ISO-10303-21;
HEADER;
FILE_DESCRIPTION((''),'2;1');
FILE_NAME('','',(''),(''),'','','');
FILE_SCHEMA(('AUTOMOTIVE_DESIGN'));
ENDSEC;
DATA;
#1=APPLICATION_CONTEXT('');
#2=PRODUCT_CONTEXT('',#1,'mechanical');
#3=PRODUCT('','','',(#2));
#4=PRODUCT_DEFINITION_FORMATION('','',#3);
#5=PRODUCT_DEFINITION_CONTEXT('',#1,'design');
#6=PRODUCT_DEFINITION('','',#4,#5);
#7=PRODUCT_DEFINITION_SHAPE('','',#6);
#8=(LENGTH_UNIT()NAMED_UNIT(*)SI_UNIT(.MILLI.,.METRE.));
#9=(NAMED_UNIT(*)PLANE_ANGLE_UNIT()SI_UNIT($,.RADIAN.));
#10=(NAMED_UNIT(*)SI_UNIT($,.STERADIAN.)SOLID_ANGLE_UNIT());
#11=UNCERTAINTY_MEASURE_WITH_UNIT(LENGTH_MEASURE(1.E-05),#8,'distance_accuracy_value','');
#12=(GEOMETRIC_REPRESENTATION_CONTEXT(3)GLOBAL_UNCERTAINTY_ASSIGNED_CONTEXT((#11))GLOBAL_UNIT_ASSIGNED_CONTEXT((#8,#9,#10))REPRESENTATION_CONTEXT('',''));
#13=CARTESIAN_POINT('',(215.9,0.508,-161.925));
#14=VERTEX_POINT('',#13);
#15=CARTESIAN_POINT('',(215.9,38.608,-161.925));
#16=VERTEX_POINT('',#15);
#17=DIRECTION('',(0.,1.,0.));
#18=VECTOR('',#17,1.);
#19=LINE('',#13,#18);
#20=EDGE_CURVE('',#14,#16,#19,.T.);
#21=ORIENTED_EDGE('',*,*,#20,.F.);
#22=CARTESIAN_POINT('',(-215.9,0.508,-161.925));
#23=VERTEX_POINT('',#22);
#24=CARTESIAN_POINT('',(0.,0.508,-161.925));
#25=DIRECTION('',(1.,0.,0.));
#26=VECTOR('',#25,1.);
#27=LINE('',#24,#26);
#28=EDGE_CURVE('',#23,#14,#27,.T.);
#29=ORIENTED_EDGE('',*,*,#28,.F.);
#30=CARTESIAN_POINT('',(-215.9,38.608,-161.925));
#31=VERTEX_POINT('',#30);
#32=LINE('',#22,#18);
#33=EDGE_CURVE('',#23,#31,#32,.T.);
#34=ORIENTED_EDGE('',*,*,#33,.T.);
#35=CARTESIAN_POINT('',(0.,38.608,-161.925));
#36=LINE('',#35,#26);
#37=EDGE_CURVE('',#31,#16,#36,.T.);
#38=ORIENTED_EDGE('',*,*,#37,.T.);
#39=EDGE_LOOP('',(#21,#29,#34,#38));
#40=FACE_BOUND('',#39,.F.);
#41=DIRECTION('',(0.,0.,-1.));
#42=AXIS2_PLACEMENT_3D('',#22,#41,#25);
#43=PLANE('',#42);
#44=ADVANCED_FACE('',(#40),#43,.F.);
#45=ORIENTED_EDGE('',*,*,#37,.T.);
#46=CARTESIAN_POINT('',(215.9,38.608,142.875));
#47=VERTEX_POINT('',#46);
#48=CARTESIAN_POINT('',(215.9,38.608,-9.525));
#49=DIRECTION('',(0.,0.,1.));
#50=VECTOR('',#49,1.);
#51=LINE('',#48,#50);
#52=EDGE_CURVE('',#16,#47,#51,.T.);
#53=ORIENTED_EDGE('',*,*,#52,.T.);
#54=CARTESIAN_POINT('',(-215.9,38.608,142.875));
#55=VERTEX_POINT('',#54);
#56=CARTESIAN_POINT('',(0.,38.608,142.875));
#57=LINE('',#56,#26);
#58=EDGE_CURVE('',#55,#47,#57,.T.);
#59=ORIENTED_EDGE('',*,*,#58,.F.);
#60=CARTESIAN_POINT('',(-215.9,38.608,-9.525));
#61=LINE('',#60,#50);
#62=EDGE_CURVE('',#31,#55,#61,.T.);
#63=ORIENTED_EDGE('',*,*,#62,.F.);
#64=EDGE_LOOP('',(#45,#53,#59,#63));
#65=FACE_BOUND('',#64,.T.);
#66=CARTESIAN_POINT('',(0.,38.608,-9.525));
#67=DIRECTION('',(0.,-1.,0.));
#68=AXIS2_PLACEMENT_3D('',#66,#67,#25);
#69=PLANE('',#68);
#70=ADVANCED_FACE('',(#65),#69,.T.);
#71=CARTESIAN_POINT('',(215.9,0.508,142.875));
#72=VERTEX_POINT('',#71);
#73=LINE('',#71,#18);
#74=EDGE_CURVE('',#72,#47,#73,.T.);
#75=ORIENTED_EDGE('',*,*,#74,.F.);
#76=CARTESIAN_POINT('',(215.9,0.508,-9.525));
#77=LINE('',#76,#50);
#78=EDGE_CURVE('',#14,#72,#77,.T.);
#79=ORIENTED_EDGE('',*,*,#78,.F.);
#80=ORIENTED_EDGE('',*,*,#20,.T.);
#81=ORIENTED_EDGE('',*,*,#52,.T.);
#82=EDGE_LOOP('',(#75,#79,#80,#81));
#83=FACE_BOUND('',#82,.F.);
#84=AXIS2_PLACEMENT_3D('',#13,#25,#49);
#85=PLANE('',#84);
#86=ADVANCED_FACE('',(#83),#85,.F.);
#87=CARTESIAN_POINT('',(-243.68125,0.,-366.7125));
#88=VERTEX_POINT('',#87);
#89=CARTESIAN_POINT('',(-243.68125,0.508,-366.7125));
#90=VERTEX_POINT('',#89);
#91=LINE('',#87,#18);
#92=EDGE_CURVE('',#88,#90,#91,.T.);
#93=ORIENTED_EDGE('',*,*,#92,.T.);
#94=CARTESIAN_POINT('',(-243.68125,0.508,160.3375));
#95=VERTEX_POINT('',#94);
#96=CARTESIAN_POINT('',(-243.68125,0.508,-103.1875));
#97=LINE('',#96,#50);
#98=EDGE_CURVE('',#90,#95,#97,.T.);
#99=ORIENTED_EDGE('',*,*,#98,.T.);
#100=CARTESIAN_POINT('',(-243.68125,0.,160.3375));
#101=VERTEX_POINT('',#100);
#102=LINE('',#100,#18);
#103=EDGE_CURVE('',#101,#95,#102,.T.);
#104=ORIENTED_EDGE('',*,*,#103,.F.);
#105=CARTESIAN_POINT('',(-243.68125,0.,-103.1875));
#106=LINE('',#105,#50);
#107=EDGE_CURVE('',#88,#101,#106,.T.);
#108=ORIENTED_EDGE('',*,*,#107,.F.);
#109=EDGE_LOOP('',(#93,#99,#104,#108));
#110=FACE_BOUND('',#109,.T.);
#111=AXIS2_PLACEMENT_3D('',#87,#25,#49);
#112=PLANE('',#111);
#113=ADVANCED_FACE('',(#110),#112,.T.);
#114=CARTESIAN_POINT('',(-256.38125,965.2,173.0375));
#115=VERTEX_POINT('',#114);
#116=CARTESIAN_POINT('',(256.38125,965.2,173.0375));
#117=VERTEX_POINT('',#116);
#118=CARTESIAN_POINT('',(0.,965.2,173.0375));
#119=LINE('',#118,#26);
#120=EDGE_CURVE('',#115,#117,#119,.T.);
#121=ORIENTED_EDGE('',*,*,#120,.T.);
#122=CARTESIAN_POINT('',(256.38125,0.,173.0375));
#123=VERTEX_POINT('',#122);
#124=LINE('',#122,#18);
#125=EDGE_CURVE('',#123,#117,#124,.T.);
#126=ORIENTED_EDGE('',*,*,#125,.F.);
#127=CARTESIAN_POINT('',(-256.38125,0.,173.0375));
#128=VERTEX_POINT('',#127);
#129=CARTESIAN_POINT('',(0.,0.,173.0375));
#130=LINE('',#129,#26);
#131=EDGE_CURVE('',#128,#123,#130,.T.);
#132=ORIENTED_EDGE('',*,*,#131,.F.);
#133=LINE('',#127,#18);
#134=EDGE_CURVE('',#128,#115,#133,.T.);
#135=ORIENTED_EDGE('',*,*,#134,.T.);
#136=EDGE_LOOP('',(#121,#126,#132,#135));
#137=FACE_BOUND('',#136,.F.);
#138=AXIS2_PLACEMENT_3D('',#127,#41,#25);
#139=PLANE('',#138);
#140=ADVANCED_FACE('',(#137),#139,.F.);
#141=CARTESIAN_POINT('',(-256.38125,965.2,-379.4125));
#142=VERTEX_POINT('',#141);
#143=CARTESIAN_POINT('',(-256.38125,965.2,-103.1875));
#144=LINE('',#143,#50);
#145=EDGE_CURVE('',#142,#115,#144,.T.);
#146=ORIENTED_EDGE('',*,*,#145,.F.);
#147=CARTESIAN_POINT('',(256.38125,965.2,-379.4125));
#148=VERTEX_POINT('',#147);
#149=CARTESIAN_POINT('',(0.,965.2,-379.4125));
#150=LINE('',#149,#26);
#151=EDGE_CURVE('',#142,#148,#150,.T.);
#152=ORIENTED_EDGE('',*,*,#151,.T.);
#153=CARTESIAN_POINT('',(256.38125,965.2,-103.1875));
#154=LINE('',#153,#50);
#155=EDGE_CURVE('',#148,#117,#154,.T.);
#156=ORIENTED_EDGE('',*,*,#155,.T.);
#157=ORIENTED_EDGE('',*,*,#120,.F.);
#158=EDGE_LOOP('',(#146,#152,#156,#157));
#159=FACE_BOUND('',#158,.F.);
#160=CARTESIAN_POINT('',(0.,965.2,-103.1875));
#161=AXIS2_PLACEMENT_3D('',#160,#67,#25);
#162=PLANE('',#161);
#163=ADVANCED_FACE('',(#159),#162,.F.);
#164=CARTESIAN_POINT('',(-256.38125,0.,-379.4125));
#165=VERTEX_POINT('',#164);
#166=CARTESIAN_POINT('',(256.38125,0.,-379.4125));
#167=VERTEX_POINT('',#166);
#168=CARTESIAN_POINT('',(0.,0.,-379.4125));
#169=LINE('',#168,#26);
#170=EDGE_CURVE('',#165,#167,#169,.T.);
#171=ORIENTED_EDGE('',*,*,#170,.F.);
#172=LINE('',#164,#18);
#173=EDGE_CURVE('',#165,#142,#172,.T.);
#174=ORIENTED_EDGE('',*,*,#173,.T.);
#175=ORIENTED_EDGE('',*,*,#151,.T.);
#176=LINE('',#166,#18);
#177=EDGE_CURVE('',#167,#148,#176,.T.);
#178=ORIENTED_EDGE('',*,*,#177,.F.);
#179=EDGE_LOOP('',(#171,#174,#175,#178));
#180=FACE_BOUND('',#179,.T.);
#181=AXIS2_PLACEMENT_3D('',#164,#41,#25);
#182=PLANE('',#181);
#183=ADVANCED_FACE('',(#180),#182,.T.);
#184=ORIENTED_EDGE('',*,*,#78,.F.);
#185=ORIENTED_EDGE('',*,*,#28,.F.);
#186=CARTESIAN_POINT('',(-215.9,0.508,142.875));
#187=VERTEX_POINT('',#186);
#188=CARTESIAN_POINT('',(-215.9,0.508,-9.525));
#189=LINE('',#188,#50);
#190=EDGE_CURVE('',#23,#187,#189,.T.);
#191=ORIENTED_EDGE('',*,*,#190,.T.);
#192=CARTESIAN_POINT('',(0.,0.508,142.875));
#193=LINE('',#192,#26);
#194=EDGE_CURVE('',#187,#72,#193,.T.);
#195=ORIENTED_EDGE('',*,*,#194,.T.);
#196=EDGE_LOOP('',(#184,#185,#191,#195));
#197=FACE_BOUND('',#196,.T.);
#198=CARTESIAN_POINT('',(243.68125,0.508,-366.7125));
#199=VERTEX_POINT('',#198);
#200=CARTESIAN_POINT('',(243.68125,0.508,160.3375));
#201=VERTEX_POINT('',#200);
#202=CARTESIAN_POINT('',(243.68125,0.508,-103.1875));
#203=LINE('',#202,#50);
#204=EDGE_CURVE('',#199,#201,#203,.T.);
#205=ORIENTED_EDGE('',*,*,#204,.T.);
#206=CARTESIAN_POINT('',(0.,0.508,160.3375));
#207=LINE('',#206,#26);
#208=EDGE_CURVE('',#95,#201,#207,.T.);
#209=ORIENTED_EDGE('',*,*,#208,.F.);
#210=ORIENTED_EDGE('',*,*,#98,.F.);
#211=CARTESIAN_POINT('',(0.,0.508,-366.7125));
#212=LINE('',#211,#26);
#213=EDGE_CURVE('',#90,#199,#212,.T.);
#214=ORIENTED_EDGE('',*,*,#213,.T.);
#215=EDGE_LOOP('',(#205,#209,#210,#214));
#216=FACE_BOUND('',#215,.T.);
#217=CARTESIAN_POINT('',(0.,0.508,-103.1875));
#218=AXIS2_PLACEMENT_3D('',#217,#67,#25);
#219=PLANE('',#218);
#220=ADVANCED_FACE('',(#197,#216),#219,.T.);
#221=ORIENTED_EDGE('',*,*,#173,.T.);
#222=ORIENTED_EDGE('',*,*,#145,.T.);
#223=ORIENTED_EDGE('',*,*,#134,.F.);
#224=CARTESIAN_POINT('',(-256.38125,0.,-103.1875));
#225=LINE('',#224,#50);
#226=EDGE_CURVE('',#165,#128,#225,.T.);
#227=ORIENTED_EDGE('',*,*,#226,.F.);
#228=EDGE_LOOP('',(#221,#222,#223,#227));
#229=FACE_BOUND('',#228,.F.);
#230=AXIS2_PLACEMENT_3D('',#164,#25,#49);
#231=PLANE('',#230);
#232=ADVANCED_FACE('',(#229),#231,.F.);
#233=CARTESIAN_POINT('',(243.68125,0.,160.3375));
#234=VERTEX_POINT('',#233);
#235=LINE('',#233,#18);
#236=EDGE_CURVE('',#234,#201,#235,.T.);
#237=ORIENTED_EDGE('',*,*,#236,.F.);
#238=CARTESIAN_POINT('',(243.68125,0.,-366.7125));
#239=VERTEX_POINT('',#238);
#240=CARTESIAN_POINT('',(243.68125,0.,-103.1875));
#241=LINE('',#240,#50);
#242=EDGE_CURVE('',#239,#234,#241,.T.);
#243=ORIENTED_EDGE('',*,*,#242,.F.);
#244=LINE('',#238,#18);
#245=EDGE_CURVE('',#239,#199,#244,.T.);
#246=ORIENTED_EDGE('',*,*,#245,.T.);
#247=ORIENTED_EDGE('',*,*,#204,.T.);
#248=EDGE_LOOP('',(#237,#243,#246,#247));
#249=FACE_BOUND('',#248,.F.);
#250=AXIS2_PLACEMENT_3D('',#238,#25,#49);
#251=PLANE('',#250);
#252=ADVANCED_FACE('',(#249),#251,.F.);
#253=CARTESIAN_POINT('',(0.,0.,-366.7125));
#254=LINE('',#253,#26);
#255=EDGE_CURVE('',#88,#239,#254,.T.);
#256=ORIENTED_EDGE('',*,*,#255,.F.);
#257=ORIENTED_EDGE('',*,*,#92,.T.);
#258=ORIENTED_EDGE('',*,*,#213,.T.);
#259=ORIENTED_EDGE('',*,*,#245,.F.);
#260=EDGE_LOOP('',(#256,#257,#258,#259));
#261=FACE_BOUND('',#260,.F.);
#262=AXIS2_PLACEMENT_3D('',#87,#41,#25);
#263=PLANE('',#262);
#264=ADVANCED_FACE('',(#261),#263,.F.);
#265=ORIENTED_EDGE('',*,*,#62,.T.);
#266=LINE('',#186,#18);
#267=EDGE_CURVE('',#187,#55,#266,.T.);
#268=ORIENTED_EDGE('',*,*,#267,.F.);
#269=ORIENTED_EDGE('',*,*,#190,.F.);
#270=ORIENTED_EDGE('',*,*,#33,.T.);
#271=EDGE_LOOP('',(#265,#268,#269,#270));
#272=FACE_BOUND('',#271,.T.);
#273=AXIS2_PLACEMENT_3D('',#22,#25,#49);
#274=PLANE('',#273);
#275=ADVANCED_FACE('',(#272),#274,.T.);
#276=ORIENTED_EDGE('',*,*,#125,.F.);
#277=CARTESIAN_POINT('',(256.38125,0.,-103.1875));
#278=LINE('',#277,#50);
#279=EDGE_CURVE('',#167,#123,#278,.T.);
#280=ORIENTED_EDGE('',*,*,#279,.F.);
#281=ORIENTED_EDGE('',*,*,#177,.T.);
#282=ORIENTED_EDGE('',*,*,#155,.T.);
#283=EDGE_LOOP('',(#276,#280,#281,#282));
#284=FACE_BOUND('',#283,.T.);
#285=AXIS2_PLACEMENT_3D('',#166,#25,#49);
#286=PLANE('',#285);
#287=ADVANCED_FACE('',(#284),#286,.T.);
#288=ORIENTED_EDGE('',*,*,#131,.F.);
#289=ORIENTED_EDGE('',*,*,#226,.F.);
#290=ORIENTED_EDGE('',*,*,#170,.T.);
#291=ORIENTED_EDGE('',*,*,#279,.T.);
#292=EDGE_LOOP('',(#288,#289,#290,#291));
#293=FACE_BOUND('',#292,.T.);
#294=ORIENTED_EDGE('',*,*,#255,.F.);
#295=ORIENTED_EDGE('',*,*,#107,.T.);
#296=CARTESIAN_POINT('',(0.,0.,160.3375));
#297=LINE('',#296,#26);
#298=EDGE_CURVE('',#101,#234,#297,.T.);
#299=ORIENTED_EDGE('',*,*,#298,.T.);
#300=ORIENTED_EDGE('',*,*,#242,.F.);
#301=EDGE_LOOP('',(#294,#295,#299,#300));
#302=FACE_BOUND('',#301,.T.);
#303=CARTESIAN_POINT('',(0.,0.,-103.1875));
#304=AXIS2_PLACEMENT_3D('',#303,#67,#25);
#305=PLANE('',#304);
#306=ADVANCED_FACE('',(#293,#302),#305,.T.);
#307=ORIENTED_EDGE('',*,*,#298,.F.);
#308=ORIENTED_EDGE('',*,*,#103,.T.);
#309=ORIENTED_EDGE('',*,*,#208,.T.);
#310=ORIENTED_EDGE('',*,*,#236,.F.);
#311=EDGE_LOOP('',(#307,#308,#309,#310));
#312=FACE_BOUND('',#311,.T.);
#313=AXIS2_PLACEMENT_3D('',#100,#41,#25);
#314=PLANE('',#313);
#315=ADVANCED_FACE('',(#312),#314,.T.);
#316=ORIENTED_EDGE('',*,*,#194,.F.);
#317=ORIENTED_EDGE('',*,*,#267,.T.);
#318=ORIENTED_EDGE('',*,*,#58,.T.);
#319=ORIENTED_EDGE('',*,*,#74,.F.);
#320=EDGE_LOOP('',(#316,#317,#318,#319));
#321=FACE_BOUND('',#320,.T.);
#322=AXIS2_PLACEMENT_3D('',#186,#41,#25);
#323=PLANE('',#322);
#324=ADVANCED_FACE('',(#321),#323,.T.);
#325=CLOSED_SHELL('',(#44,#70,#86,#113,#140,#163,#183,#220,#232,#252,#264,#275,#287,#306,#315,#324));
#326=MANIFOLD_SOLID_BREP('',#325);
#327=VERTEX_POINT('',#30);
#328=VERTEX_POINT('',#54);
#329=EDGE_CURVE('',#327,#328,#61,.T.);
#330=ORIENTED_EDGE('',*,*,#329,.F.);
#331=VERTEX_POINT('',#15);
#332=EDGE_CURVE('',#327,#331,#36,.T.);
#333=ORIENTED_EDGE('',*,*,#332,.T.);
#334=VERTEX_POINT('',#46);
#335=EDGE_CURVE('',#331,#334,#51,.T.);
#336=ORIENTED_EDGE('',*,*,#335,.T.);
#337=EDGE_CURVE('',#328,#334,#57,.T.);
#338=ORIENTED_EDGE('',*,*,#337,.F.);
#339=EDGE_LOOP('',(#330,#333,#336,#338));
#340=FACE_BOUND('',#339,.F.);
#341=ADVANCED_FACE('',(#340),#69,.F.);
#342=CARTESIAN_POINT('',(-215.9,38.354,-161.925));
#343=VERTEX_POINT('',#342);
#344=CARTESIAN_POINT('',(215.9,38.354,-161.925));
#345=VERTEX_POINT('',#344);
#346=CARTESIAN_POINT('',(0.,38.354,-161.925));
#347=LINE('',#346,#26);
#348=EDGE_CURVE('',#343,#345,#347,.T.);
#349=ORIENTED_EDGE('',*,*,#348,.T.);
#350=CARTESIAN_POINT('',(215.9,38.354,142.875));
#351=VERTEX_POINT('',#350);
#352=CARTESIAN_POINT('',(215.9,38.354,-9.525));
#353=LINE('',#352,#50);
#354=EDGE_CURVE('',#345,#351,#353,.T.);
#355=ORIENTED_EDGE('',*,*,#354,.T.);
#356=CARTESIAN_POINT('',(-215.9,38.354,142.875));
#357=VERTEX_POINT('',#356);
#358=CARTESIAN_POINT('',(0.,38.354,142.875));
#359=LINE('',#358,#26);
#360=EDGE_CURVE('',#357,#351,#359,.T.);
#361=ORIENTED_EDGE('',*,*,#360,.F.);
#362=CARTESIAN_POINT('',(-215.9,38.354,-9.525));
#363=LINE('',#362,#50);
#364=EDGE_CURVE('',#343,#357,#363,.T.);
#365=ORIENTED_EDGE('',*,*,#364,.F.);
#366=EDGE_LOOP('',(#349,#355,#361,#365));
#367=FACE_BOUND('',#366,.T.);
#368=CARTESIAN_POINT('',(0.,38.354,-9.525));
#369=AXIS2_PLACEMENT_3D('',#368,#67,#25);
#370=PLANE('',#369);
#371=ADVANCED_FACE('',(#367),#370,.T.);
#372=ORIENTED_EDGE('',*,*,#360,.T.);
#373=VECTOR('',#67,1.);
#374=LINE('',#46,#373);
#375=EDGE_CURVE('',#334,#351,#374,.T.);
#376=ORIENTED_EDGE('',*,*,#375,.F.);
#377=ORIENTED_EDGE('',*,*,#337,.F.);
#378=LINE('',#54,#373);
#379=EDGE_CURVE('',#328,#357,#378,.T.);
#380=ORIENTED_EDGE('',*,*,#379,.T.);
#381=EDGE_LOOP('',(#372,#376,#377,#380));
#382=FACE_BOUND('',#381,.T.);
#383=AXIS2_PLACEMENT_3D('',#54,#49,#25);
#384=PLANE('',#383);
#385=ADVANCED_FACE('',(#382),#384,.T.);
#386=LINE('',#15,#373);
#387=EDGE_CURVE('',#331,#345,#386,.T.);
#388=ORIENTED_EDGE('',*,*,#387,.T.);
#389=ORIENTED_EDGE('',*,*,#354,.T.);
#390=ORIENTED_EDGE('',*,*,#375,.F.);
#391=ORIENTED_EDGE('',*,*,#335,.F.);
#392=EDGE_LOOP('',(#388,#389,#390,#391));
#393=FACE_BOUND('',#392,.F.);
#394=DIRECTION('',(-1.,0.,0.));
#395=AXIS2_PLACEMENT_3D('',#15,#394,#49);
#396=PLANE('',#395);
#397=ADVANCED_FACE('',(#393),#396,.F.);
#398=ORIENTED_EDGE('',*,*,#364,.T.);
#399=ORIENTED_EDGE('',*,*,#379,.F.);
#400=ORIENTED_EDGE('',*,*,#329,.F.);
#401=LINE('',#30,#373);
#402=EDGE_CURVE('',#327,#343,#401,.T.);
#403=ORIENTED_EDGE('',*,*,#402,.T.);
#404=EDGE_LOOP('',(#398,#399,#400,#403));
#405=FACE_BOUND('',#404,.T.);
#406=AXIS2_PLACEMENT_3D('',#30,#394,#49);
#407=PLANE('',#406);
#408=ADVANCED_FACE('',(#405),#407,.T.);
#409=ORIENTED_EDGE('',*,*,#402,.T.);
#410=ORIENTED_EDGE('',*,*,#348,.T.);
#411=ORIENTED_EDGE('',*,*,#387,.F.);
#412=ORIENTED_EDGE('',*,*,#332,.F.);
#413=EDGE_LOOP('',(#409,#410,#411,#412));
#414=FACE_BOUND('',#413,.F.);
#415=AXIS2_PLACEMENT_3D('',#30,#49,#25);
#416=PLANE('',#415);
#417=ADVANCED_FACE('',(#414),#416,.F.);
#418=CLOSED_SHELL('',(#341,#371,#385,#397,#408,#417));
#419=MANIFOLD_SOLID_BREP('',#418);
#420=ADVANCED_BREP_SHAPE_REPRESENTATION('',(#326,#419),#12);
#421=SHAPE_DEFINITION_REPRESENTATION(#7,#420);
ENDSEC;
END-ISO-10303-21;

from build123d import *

# Parameters (mm, degrees)
F0_W      = 512.7625
F0_H      = 552.45
F1_DEPTH  = 965.2
F2_W      = 487.3625
F2_H      = 527.05
F3_DEPTH  = 0.508
F4_W      = 431.8
F4_H      = 304.8
F5_DEPTH  = 38.1
F5_FACE_W = 431.8
F5_FACE_H = 304.8
F6_DEPTH  = 0.254


with BuildPart() as f1:
    # F0 (on Front) → F1 (new body)
    with BuildSketch(Plane.XZ):
        with Locations((0, -103.1875)):
            Rectangle(F0_W, F0_H)
    extrude(amount=-F1_DEPTH)

    # F2 (on face) → F3 (cut)
    with BuildSketch(Plane.XZ):
        with Locations((0, -103.1875)):
            Rectangle(F2_W, F2_H)
    extrude(amount=-F3_DEPTH, mode=Mode.SUBTRACT)

    # F4 (on face) → F5 (cut)
    with BuildSketch(Plane.XZ.offset(-0.508)):
        with Locations((0, -9.525)):
            Rectangle(F4_W, F4_H)
    extrude(amount=-F5_DEPTH, mode=Mode.SUBTRACT)


with BuildPart() as f6:
    # F5_face (on face) → F6 (new body)
    with BuildSketch(Plane(origin=(0, 38.608, -9.525), x_dir=(1, 0, 0), z_dir=(0, -1, 0))):
        Rectangle(F5_FACE_W, F5_FACE_H)
    extrude(amount=F6_DEPTH)


solid = Compound([f1.part, f6.part])
